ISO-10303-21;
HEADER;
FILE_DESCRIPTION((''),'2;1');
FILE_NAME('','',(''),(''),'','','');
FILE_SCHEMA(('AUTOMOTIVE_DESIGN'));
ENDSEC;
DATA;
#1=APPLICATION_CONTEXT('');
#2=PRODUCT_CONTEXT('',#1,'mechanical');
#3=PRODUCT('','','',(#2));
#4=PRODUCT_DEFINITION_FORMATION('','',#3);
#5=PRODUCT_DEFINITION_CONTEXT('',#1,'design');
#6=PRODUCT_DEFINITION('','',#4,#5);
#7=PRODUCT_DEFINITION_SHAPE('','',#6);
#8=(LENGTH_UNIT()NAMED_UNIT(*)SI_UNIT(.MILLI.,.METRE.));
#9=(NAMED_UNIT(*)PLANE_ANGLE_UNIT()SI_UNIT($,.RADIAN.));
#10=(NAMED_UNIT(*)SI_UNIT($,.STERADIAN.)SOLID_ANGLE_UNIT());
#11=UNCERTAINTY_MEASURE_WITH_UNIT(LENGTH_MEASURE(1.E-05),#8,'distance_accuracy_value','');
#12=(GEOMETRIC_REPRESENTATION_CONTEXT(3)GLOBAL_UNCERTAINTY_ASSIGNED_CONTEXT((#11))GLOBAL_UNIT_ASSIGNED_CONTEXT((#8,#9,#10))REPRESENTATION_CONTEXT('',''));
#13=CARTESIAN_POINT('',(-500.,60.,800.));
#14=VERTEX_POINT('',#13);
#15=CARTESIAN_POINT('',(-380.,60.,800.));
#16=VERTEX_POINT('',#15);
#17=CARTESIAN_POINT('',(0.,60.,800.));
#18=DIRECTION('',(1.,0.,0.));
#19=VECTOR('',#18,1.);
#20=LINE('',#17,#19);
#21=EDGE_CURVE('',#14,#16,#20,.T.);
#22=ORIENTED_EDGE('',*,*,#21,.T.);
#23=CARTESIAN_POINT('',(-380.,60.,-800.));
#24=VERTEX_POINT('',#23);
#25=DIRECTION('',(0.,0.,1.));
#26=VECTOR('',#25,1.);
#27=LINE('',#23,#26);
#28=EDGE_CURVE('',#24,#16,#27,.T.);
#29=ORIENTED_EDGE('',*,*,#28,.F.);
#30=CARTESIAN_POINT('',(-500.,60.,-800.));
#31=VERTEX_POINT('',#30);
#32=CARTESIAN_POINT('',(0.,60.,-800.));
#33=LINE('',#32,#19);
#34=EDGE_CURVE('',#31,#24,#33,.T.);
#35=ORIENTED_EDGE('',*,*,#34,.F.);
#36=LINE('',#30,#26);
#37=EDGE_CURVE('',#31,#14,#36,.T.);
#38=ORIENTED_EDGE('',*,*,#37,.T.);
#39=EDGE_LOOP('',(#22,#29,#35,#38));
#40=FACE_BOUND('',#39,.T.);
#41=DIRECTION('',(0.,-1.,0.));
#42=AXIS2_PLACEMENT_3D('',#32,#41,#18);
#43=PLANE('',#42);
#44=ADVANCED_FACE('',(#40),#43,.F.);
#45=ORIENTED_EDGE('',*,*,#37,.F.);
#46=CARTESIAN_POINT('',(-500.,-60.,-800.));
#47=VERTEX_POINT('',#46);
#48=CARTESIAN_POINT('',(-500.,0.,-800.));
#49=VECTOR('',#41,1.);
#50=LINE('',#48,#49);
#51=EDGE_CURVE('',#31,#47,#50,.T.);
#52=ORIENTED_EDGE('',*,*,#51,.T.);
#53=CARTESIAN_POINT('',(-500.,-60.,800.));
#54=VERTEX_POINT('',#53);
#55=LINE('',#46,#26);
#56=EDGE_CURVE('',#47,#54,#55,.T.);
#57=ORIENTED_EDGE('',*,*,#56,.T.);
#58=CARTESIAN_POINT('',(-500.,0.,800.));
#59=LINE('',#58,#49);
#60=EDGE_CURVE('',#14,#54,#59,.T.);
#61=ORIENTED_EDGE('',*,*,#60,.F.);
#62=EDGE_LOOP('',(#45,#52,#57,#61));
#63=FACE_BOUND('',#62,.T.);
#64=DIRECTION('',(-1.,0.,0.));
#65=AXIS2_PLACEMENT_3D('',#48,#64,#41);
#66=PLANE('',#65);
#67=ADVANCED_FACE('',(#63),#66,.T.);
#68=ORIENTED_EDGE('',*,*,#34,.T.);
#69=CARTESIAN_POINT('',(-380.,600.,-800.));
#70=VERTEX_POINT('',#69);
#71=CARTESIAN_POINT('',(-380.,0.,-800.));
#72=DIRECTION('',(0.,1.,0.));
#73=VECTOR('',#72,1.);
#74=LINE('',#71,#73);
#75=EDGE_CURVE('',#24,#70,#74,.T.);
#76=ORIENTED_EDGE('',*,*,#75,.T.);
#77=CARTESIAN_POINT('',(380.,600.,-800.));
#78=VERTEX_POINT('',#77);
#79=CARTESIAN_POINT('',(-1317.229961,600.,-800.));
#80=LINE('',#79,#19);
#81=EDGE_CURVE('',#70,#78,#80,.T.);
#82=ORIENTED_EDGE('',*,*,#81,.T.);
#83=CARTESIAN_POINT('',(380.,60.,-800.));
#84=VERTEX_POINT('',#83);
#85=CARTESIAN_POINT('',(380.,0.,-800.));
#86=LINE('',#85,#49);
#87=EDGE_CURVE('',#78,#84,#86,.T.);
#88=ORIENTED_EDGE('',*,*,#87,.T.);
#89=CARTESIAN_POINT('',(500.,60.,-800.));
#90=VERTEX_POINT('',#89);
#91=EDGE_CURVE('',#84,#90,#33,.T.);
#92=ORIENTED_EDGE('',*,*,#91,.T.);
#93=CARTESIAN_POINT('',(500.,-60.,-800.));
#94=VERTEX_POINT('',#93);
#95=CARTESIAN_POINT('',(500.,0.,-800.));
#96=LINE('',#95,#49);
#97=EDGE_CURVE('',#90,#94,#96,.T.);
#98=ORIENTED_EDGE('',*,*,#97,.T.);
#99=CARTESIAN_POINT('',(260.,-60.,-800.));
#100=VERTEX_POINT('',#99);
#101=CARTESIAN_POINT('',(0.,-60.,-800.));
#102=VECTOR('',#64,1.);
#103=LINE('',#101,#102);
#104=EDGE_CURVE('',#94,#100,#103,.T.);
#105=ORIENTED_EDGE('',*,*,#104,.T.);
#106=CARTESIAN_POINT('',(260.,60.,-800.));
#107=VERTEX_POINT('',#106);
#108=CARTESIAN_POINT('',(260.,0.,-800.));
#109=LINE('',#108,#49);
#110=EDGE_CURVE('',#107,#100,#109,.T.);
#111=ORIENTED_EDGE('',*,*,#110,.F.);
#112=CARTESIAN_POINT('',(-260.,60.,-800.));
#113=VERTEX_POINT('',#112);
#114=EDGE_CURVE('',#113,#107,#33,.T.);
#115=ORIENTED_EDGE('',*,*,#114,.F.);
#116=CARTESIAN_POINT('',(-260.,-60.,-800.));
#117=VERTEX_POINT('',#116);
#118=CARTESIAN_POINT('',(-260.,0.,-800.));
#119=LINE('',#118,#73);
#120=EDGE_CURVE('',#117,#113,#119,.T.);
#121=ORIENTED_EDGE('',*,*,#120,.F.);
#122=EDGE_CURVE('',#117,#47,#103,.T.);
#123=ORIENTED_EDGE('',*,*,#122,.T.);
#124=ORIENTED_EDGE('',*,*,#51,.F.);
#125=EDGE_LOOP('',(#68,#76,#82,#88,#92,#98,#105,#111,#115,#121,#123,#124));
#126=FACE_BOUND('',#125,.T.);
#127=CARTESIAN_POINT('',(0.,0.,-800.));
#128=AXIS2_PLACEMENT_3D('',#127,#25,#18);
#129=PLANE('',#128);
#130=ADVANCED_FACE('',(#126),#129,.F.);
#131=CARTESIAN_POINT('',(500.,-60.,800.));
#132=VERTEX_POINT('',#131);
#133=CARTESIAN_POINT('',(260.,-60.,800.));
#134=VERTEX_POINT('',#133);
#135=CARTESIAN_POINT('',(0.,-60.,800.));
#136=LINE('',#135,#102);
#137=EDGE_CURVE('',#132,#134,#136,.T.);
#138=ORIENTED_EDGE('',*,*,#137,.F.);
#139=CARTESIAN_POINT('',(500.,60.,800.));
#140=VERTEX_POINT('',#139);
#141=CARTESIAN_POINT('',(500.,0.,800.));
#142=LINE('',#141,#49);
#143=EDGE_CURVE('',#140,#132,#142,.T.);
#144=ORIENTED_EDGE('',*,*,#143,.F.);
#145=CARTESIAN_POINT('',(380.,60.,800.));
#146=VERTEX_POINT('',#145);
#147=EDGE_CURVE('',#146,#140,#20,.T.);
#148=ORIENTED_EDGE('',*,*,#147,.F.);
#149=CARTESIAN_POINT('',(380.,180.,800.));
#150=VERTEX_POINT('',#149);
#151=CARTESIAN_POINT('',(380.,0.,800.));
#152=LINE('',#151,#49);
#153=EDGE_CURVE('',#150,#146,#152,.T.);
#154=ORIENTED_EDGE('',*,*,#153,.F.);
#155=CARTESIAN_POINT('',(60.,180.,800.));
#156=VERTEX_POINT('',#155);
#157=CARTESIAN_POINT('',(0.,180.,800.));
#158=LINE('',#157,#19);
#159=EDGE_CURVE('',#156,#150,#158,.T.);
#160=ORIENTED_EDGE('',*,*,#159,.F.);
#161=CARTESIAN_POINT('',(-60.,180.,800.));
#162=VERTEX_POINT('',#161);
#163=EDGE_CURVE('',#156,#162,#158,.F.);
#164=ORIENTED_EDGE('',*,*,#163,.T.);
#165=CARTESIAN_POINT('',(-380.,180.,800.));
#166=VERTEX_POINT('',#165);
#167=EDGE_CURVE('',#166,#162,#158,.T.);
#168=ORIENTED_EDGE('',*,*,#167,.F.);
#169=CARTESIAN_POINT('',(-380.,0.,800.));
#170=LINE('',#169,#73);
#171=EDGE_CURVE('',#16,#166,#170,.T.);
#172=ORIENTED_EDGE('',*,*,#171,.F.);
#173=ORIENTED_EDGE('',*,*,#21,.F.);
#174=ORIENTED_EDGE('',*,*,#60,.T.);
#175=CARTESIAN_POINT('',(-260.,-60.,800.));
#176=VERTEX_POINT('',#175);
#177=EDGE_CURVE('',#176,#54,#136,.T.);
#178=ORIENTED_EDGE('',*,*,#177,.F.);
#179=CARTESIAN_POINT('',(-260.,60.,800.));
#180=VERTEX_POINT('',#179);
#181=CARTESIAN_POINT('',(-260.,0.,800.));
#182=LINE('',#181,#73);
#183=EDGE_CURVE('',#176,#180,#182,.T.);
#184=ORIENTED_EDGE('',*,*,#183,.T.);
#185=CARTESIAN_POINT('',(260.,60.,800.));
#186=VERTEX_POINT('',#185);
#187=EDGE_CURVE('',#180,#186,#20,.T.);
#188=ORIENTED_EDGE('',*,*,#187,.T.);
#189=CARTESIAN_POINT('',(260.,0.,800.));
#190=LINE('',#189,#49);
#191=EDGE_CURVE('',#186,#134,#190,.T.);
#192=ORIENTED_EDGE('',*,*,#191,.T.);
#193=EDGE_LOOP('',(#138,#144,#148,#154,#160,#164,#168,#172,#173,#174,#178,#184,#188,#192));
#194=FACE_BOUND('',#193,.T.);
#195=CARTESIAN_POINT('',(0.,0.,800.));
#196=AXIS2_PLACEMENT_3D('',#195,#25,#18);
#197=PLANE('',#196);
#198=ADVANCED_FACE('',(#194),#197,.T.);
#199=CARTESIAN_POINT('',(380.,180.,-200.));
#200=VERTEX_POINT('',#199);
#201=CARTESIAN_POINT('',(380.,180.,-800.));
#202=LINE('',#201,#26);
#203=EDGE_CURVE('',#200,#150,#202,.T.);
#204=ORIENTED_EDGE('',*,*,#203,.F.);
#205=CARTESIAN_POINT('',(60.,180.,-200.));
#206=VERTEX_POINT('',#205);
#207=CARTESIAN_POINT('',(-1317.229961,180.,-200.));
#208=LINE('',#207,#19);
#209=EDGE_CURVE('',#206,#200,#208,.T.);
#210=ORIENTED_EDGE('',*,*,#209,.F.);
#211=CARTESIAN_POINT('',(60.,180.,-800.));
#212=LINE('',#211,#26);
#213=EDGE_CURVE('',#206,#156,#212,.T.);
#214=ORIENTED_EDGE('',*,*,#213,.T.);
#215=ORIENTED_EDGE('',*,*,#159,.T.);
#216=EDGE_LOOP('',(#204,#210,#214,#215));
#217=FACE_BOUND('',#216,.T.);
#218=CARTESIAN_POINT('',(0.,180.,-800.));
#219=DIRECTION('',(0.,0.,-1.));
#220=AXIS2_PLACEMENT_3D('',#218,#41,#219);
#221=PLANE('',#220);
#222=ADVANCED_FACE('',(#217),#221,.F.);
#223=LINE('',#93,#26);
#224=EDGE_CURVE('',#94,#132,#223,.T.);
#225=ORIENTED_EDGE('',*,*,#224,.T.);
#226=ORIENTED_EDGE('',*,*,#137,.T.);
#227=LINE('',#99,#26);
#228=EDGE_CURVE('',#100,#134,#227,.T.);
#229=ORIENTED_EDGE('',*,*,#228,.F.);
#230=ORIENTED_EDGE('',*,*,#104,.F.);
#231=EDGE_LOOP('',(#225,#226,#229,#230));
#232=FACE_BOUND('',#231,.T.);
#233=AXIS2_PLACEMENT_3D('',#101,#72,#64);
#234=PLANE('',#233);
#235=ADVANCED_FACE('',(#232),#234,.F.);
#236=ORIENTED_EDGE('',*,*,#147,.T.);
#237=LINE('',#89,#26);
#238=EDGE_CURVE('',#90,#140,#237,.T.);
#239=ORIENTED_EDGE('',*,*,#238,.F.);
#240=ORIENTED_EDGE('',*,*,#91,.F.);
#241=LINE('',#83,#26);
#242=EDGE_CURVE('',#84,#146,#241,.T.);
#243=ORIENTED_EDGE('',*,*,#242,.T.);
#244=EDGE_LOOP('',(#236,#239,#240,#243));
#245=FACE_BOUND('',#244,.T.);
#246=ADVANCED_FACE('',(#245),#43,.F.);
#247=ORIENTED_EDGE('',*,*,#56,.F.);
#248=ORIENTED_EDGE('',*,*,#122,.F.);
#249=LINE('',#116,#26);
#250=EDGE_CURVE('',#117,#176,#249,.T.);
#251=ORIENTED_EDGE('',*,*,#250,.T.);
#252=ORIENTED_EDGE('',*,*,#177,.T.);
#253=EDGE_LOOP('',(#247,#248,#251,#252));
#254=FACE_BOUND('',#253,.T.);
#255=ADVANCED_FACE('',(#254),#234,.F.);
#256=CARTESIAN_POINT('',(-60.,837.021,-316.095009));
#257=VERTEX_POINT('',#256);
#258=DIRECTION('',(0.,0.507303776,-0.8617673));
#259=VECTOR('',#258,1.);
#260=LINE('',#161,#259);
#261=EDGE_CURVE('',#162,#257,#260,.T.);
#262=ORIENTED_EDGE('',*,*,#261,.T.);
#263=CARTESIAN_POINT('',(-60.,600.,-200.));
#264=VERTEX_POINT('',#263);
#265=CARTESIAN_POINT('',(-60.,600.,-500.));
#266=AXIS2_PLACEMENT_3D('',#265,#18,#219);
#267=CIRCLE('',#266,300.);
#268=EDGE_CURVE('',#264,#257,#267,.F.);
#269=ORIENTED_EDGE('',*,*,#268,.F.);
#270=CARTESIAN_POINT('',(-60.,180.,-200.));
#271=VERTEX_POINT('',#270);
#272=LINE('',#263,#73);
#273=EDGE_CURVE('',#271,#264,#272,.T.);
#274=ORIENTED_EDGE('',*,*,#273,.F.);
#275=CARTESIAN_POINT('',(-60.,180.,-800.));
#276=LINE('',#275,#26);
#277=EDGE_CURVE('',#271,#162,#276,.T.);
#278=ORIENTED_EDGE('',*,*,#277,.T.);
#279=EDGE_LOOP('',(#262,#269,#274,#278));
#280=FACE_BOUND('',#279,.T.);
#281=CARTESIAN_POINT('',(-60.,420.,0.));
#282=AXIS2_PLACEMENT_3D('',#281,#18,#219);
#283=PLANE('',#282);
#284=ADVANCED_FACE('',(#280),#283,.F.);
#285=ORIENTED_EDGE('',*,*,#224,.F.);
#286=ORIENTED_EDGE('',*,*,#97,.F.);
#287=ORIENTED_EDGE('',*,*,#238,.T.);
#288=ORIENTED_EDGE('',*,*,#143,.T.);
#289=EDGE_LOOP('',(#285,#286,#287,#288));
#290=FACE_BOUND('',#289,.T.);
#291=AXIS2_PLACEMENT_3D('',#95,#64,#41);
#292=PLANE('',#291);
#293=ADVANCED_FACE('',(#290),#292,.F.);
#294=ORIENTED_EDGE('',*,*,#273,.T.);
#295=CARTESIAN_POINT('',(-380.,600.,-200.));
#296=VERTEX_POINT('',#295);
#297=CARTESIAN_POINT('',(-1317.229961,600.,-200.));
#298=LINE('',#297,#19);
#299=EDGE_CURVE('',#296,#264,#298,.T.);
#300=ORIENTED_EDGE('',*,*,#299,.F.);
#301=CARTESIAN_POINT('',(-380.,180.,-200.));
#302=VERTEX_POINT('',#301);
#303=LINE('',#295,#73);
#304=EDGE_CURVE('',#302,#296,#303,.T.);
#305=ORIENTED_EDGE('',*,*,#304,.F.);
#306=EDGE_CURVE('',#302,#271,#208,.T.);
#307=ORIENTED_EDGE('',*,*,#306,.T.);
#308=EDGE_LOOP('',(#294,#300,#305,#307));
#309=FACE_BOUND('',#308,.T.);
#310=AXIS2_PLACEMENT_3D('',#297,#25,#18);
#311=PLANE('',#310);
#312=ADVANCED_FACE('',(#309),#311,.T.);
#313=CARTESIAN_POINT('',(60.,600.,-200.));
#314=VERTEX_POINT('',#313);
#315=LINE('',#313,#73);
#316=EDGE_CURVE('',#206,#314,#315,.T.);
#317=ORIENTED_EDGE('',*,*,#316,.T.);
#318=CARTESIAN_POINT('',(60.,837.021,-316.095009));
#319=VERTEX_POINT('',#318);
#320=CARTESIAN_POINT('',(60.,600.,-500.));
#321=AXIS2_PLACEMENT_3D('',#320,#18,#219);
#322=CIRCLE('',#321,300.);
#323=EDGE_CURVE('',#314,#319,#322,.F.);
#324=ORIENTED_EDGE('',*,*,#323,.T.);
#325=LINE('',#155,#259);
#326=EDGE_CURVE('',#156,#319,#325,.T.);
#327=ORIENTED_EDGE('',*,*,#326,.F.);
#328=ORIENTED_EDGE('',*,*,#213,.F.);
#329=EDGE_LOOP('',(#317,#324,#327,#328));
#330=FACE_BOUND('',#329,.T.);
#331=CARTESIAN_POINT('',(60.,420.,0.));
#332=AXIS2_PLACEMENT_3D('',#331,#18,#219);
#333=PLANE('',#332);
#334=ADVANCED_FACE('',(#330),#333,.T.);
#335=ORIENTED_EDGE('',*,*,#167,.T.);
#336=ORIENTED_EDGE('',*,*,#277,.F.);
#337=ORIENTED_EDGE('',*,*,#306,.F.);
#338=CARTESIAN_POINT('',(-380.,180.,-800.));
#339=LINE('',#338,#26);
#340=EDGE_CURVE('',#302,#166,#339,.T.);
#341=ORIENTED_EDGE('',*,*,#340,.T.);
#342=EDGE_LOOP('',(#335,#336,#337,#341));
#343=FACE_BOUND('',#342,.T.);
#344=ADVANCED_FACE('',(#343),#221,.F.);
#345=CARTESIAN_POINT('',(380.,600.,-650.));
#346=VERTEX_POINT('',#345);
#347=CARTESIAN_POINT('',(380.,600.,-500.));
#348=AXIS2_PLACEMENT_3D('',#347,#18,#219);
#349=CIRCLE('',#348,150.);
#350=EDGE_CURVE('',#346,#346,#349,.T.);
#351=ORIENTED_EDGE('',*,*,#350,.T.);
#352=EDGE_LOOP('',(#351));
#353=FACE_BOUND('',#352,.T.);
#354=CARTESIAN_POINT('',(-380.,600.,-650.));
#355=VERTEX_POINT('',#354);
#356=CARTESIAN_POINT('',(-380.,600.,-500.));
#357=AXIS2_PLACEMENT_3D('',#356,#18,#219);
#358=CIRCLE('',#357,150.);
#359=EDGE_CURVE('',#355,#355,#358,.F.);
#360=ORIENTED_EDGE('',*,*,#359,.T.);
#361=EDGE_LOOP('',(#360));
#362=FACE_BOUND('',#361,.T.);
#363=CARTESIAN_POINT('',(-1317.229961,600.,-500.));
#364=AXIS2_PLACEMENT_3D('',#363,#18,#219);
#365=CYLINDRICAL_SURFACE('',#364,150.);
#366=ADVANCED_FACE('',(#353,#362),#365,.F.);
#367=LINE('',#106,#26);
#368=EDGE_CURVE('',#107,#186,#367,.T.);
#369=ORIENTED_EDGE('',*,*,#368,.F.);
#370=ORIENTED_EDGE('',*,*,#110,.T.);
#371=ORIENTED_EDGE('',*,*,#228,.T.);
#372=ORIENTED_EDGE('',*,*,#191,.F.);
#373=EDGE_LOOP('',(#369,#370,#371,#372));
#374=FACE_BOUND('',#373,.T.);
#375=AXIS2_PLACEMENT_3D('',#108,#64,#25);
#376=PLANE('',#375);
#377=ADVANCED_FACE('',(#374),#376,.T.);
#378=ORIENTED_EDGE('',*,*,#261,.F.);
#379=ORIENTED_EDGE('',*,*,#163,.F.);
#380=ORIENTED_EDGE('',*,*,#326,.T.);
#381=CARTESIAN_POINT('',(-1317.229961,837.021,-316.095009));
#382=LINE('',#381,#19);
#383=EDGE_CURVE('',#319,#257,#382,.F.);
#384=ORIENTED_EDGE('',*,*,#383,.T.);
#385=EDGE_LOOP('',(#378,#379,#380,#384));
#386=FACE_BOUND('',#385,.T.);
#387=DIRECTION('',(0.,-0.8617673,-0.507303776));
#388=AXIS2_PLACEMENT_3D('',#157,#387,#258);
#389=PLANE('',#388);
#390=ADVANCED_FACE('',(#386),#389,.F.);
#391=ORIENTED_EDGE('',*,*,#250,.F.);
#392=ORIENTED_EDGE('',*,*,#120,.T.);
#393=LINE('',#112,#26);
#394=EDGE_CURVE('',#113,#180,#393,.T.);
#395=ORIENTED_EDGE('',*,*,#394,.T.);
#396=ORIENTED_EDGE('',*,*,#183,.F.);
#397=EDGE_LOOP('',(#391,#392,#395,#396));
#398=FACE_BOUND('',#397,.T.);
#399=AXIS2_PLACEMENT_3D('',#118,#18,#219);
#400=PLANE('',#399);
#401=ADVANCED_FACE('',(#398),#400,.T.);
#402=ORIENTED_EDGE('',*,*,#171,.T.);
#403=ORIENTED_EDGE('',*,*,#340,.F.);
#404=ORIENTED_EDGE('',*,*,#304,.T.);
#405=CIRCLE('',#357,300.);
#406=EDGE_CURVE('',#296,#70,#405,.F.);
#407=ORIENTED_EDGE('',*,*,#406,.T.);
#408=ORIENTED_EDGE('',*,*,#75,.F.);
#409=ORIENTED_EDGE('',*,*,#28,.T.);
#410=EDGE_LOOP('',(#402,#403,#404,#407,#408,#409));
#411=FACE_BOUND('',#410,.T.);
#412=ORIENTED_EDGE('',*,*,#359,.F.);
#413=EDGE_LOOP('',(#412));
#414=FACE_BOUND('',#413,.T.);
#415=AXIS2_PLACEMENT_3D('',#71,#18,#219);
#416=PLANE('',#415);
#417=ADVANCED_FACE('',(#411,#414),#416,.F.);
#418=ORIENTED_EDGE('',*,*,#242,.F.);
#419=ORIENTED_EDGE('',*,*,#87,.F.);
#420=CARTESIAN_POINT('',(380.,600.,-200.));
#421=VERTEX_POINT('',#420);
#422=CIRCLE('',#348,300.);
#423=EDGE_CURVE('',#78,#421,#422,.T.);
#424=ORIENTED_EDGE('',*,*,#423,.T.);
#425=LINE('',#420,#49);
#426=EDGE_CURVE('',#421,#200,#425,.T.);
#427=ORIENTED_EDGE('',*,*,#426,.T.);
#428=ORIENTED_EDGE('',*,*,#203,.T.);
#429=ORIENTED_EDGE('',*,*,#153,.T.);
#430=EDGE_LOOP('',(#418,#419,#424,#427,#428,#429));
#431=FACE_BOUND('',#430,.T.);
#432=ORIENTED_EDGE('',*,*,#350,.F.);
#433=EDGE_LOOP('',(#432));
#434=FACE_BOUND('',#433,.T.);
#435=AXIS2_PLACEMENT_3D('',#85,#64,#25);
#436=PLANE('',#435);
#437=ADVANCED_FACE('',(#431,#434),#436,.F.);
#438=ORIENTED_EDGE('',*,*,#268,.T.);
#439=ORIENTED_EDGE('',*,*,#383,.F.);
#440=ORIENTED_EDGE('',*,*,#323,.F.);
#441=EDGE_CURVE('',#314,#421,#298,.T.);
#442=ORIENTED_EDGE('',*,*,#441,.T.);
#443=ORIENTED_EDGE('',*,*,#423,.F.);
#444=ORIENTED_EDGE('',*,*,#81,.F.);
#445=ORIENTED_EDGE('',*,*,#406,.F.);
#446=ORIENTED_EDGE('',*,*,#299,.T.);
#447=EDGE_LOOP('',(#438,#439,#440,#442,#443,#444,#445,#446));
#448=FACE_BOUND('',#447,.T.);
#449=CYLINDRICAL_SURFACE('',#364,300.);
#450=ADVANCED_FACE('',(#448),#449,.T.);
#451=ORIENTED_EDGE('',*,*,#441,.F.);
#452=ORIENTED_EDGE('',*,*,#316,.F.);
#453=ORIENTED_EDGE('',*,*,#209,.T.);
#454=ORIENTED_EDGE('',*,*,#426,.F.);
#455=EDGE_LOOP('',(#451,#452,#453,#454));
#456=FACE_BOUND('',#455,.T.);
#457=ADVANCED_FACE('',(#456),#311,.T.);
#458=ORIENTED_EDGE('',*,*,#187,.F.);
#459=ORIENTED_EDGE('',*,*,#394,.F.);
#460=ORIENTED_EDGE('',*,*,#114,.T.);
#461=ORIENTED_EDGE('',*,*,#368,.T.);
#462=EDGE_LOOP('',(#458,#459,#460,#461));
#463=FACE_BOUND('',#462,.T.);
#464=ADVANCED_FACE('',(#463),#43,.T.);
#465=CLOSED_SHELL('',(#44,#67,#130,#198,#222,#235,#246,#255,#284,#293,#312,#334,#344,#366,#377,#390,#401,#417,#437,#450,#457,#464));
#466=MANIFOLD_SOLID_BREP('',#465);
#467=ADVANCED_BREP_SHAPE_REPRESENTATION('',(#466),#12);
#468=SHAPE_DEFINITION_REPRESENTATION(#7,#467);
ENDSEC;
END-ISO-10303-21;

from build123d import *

# Parameters (mm, degrees)
BOSS_EXTRUDE1_DEPTH = 800
SKETCH2_R           = 150
BOSS_EXTRUDE5_DEPTH = 760
RIB1_REACH          = 1305.84
SKETCH4_WALL_W      = 3904.804378638
SKETCH4_WALL_H      = 120


with BuildPart() as part:
    # Sketch1 → Boss-Extrude1 (new, symmetric)
    with BuildSketch(Plane.XY):
        Polygon((380, 60), (260, 60), (260, -60), (500, -60), (500, 60), align=None)
        Polygon((-380, 180), (-380, 60), (-260, 60), (260, 60), (380, 60), (380, 180), align=None)
        Polygon((-260, 60), (-380, 60), (-500, 60), (-500, -60), (-260, -60), align=None)
    extrude(amount=BOSS_EXTRUDE1_DEPTH, both=True)

    # Sketch2 → Boss-Extrude5 (add)
    with BuildSketch(Plane(origin=(380, 0, 0), x_dir=(0, 0, -1), z_dir=(1, 0, 0))):
        with BuildLine():
            Line((800, 180), (800, 600))
            ThreePointArc((800, 600), (500, 900), (200, 600))
            Line((200, 600), (200, 180))
            Line((200, 180), (800, 180))
        make_face()
        with Locations((500, 600)):
            Circle(SKETCH2_R, mode=Mode.SUBTRACT)
    extrude(amount=-BOSS_EXTRUDE5_DEPTH)

    # Sketch4 wall → Rib1 (add, up to next)
    with BuildSketch(Plane(origin=(0, 508.510499954, 241.952495347), x_dir=(0, 0.507303776233, -0.861767299576), z_dir=(0, 0.861767299576, 0.507303776233)), mode=Mode.PRIVATE) as rib1_sk1:
        Rectangle(SKETCH4_WALL_W, SKETCH4_WALL_H)
    rib1_tool1 = extrude(rib1_sk1.sketch, amount=-RIB1_REACH, mode=Mode.PRIVATE) - part.part
    add(rib1_tool1.solids().sort_by_distance((0, 508.510499954, 241.952495347))[0])


solid = part.part
